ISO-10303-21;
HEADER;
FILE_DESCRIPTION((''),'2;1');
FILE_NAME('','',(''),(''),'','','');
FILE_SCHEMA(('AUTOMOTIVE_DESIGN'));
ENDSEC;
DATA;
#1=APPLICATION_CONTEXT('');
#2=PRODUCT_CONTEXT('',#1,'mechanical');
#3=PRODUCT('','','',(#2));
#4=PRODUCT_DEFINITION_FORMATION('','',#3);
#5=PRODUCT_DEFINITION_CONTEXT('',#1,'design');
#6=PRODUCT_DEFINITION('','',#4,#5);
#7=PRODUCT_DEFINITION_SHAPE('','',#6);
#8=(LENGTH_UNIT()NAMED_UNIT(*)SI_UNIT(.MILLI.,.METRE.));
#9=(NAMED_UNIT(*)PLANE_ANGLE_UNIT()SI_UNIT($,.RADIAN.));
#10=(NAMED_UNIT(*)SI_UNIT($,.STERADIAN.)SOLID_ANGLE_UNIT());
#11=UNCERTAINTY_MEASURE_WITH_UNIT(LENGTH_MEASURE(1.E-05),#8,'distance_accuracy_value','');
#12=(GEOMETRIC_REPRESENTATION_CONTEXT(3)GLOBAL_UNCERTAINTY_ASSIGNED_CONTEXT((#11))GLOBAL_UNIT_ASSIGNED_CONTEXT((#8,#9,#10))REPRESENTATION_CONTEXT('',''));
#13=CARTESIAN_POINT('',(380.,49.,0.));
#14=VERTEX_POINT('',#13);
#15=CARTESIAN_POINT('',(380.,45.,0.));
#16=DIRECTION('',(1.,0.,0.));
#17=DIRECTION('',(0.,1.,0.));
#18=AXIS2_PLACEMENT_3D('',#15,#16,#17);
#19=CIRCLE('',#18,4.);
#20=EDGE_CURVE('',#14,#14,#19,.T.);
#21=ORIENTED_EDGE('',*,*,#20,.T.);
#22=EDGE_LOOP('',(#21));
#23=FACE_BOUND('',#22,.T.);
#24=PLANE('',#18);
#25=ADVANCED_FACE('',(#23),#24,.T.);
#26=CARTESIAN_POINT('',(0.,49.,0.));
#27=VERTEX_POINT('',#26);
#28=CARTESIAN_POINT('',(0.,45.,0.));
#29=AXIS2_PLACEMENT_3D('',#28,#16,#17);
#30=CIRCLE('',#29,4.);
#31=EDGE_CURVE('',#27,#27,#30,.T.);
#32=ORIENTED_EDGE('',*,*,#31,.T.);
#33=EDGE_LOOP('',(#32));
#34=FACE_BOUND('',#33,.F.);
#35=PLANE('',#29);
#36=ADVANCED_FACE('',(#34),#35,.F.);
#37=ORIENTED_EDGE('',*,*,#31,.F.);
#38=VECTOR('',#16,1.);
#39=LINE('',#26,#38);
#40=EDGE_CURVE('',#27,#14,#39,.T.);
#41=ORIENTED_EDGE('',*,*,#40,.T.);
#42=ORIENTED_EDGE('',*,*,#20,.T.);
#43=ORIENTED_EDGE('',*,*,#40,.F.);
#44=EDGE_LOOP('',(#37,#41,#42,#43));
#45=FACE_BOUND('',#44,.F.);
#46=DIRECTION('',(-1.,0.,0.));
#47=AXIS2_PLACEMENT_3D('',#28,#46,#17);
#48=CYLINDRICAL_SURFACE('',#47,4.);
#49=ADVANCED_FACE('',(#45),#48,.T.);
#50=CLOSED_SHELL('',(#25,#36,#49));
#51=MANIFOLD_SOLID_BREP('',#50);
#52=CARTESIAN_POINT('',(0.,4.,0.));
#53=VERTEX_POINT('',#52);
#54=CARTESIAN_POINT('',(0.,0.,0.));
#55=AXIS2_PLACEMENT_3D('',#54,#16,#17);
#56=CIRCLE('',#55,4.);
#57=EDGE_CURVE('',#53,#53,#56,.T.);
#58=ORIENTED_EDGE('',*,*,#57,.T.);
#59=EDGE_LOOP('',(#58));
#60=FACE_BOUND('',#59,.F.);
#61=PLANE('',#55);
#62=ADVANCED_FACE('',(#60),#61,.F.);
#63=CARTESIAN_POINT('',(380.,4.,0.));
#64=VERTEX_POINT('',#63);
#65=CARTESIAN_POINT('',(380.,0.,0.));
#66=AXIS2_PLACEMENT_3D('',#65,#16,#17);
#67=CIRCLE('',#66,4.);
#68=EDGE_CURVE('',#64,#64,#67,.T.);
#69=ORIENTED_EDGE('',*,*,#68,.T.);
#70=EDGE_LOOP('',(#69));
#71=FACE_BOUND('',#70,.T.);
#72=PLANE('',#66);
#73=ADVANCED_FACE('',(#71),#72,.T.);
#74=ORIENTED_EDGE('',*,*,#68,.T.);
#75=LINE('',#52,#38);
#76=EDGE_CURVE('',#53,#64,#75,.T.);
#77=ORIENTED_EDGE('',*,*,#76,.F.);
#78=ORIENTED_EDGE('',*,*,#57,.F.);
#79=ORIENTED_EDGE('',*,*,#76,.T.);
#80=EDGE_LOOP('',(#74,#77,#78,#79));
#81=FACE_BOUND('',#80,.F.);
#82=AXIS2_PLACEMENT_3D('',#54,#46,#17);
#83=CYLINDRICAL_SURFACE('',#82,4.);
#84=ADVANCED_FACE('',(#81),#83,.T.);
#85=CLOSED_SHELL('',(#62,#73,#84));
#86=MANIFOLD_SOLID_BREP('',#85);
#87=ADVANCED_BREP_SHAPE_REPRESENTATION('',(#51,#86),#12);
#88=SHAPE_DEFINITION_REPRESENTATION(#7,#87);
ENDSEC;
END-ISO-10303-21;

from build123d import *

# Parameters (mm, degrees)
F0_R     = 4
F1_DEPTH = 380


with BuildPart() as f1:
    # F0 (on Right) → F1 (new body)
    with BuildSketch(Plane.YZ):
        Circle(F0_R)
        with Locations((45, 0)):
            Circle(F0_R)
    extrude(amount=F1_DEPTH)


solid = f1.part
